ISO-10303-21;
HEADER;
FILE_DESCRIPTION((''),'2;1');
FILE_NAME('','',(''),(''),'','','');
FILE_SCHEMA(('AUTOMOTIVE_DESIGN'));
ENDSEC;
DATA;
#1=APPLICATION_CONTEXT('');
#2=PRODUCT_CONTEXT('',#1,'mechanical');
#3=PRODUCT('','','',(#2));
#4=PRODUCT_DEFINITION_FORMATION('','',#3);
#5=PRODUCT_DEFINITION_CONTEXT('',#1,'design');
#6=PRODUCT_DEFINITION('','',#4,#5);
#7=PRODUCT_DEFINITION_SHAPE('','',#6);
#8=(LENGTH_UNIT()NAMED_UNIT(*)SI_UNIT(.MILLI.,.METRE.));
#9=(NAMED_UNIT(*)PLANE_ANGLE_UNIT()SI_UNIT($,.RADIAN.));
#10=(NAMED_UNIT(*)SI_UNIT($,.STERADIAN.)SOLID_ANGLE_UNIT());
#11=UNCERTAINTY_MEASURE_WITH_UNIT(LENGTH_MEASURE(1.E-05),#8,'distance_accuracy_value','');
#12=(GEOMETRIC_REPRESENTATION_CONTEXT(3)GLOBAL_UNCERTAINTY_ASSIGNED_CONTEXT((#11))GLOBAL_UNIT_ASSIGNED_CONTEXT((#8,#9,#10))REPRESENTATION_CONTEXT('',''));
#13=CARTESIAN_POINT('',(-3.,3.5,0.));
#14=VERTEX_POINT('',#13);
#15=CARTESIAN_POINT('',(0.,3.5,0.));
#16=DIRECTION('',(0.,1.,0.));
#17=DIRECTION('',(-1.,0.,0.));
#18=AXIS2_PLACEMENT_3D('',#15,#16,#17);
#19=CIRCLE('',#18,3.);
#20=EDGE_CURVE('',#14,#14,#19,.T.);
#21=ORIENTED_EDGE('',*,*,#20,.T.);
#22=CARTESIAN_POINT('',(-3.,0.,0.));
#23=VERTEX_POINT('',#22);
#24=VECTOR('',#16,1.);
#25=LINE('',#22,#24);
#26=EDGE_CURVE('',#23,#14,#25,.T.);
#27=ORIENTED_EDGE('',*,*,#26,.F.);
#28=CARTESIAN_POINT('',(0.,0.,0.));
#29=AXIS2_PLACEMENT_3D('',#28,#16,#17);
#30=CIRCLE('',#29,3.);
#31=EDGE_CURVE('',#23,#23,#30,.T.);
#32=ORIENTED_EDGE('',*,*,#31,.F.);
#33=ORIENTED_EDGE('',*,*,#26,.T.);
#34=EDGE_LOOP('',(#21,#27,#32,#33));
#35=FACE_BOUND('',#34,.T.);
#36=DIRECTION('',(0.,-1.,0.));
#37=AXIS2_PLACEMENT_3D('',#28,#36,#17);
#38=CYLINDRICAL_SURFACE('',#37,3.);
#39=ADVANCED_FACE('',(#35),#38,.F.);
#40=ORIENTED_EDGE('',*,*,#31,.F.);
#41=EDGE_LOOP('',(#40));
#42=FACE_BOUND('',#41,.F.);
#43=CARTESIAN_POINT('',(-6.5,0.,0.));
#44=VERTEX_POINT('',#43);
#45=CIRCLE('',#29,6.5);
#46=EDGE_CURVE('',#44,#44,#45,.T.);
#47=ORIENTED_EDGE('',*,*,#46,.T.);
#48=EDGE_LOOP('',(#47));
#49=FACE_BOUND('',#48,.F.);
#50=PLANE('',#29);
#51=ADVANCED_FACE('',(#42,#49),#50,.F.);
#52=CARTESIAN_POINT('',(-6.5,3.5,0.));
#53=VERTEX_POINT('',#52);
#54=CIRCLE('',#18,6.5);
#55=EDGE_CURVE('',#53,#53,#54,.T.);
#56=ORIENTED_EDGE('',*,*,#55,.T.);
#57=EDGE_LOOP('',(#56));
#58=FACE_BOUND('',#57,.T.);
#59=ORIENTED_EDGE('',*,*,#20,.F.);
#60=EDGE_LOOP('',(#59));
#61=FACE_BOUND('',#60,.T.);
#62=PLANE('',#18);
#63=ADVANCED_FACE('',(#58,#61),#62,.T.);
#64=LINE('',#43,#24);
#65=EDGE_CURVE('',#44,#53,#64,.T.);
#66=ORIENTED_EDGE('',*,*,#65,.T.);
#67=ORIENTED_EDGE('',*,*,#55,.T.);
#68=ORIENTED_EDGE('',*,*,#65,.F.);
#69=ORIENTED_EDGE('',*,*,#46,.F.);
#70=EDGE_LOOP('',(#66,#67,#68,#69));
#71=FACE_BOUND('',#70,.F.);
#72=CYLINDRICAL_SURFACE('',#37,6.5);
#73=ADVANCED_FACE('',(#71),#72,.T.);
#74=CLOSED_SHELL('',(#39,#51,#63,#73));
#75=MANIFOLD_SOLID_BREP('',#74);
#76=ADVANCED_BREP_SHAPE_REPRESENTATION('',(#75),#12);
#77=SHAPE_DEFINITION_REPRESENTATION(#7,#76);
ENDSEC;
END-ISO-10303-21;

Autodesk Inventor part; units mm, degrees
ref_plane "YZ Plane" through (0, 0, 0) normal (1, 0, 0) x (0, 1, 0)
ref_plane "XZ Plane" through (0, 0, 0) normal (0, 1, 0) x (-1, 0, 0)
ref_plane "XY Plane" through (0, 0, 0) normal (0, 0, 1) x (1, 0, 0)
sketch "Sketch1" plane through (0, 0, 0) normal (0, 1, 0) x (-1, 0, 0)
  circle A0 centre (0, 0) radius 3
  circle A1 centre (0, 0) radius 6.5
  dimension "d0" = 6
  dimension "d1" = 13
extrude "Extrusion1" add sketch "Sketch1" along normal blind 3.5
properties part number "bearing_6_13_3.5"
